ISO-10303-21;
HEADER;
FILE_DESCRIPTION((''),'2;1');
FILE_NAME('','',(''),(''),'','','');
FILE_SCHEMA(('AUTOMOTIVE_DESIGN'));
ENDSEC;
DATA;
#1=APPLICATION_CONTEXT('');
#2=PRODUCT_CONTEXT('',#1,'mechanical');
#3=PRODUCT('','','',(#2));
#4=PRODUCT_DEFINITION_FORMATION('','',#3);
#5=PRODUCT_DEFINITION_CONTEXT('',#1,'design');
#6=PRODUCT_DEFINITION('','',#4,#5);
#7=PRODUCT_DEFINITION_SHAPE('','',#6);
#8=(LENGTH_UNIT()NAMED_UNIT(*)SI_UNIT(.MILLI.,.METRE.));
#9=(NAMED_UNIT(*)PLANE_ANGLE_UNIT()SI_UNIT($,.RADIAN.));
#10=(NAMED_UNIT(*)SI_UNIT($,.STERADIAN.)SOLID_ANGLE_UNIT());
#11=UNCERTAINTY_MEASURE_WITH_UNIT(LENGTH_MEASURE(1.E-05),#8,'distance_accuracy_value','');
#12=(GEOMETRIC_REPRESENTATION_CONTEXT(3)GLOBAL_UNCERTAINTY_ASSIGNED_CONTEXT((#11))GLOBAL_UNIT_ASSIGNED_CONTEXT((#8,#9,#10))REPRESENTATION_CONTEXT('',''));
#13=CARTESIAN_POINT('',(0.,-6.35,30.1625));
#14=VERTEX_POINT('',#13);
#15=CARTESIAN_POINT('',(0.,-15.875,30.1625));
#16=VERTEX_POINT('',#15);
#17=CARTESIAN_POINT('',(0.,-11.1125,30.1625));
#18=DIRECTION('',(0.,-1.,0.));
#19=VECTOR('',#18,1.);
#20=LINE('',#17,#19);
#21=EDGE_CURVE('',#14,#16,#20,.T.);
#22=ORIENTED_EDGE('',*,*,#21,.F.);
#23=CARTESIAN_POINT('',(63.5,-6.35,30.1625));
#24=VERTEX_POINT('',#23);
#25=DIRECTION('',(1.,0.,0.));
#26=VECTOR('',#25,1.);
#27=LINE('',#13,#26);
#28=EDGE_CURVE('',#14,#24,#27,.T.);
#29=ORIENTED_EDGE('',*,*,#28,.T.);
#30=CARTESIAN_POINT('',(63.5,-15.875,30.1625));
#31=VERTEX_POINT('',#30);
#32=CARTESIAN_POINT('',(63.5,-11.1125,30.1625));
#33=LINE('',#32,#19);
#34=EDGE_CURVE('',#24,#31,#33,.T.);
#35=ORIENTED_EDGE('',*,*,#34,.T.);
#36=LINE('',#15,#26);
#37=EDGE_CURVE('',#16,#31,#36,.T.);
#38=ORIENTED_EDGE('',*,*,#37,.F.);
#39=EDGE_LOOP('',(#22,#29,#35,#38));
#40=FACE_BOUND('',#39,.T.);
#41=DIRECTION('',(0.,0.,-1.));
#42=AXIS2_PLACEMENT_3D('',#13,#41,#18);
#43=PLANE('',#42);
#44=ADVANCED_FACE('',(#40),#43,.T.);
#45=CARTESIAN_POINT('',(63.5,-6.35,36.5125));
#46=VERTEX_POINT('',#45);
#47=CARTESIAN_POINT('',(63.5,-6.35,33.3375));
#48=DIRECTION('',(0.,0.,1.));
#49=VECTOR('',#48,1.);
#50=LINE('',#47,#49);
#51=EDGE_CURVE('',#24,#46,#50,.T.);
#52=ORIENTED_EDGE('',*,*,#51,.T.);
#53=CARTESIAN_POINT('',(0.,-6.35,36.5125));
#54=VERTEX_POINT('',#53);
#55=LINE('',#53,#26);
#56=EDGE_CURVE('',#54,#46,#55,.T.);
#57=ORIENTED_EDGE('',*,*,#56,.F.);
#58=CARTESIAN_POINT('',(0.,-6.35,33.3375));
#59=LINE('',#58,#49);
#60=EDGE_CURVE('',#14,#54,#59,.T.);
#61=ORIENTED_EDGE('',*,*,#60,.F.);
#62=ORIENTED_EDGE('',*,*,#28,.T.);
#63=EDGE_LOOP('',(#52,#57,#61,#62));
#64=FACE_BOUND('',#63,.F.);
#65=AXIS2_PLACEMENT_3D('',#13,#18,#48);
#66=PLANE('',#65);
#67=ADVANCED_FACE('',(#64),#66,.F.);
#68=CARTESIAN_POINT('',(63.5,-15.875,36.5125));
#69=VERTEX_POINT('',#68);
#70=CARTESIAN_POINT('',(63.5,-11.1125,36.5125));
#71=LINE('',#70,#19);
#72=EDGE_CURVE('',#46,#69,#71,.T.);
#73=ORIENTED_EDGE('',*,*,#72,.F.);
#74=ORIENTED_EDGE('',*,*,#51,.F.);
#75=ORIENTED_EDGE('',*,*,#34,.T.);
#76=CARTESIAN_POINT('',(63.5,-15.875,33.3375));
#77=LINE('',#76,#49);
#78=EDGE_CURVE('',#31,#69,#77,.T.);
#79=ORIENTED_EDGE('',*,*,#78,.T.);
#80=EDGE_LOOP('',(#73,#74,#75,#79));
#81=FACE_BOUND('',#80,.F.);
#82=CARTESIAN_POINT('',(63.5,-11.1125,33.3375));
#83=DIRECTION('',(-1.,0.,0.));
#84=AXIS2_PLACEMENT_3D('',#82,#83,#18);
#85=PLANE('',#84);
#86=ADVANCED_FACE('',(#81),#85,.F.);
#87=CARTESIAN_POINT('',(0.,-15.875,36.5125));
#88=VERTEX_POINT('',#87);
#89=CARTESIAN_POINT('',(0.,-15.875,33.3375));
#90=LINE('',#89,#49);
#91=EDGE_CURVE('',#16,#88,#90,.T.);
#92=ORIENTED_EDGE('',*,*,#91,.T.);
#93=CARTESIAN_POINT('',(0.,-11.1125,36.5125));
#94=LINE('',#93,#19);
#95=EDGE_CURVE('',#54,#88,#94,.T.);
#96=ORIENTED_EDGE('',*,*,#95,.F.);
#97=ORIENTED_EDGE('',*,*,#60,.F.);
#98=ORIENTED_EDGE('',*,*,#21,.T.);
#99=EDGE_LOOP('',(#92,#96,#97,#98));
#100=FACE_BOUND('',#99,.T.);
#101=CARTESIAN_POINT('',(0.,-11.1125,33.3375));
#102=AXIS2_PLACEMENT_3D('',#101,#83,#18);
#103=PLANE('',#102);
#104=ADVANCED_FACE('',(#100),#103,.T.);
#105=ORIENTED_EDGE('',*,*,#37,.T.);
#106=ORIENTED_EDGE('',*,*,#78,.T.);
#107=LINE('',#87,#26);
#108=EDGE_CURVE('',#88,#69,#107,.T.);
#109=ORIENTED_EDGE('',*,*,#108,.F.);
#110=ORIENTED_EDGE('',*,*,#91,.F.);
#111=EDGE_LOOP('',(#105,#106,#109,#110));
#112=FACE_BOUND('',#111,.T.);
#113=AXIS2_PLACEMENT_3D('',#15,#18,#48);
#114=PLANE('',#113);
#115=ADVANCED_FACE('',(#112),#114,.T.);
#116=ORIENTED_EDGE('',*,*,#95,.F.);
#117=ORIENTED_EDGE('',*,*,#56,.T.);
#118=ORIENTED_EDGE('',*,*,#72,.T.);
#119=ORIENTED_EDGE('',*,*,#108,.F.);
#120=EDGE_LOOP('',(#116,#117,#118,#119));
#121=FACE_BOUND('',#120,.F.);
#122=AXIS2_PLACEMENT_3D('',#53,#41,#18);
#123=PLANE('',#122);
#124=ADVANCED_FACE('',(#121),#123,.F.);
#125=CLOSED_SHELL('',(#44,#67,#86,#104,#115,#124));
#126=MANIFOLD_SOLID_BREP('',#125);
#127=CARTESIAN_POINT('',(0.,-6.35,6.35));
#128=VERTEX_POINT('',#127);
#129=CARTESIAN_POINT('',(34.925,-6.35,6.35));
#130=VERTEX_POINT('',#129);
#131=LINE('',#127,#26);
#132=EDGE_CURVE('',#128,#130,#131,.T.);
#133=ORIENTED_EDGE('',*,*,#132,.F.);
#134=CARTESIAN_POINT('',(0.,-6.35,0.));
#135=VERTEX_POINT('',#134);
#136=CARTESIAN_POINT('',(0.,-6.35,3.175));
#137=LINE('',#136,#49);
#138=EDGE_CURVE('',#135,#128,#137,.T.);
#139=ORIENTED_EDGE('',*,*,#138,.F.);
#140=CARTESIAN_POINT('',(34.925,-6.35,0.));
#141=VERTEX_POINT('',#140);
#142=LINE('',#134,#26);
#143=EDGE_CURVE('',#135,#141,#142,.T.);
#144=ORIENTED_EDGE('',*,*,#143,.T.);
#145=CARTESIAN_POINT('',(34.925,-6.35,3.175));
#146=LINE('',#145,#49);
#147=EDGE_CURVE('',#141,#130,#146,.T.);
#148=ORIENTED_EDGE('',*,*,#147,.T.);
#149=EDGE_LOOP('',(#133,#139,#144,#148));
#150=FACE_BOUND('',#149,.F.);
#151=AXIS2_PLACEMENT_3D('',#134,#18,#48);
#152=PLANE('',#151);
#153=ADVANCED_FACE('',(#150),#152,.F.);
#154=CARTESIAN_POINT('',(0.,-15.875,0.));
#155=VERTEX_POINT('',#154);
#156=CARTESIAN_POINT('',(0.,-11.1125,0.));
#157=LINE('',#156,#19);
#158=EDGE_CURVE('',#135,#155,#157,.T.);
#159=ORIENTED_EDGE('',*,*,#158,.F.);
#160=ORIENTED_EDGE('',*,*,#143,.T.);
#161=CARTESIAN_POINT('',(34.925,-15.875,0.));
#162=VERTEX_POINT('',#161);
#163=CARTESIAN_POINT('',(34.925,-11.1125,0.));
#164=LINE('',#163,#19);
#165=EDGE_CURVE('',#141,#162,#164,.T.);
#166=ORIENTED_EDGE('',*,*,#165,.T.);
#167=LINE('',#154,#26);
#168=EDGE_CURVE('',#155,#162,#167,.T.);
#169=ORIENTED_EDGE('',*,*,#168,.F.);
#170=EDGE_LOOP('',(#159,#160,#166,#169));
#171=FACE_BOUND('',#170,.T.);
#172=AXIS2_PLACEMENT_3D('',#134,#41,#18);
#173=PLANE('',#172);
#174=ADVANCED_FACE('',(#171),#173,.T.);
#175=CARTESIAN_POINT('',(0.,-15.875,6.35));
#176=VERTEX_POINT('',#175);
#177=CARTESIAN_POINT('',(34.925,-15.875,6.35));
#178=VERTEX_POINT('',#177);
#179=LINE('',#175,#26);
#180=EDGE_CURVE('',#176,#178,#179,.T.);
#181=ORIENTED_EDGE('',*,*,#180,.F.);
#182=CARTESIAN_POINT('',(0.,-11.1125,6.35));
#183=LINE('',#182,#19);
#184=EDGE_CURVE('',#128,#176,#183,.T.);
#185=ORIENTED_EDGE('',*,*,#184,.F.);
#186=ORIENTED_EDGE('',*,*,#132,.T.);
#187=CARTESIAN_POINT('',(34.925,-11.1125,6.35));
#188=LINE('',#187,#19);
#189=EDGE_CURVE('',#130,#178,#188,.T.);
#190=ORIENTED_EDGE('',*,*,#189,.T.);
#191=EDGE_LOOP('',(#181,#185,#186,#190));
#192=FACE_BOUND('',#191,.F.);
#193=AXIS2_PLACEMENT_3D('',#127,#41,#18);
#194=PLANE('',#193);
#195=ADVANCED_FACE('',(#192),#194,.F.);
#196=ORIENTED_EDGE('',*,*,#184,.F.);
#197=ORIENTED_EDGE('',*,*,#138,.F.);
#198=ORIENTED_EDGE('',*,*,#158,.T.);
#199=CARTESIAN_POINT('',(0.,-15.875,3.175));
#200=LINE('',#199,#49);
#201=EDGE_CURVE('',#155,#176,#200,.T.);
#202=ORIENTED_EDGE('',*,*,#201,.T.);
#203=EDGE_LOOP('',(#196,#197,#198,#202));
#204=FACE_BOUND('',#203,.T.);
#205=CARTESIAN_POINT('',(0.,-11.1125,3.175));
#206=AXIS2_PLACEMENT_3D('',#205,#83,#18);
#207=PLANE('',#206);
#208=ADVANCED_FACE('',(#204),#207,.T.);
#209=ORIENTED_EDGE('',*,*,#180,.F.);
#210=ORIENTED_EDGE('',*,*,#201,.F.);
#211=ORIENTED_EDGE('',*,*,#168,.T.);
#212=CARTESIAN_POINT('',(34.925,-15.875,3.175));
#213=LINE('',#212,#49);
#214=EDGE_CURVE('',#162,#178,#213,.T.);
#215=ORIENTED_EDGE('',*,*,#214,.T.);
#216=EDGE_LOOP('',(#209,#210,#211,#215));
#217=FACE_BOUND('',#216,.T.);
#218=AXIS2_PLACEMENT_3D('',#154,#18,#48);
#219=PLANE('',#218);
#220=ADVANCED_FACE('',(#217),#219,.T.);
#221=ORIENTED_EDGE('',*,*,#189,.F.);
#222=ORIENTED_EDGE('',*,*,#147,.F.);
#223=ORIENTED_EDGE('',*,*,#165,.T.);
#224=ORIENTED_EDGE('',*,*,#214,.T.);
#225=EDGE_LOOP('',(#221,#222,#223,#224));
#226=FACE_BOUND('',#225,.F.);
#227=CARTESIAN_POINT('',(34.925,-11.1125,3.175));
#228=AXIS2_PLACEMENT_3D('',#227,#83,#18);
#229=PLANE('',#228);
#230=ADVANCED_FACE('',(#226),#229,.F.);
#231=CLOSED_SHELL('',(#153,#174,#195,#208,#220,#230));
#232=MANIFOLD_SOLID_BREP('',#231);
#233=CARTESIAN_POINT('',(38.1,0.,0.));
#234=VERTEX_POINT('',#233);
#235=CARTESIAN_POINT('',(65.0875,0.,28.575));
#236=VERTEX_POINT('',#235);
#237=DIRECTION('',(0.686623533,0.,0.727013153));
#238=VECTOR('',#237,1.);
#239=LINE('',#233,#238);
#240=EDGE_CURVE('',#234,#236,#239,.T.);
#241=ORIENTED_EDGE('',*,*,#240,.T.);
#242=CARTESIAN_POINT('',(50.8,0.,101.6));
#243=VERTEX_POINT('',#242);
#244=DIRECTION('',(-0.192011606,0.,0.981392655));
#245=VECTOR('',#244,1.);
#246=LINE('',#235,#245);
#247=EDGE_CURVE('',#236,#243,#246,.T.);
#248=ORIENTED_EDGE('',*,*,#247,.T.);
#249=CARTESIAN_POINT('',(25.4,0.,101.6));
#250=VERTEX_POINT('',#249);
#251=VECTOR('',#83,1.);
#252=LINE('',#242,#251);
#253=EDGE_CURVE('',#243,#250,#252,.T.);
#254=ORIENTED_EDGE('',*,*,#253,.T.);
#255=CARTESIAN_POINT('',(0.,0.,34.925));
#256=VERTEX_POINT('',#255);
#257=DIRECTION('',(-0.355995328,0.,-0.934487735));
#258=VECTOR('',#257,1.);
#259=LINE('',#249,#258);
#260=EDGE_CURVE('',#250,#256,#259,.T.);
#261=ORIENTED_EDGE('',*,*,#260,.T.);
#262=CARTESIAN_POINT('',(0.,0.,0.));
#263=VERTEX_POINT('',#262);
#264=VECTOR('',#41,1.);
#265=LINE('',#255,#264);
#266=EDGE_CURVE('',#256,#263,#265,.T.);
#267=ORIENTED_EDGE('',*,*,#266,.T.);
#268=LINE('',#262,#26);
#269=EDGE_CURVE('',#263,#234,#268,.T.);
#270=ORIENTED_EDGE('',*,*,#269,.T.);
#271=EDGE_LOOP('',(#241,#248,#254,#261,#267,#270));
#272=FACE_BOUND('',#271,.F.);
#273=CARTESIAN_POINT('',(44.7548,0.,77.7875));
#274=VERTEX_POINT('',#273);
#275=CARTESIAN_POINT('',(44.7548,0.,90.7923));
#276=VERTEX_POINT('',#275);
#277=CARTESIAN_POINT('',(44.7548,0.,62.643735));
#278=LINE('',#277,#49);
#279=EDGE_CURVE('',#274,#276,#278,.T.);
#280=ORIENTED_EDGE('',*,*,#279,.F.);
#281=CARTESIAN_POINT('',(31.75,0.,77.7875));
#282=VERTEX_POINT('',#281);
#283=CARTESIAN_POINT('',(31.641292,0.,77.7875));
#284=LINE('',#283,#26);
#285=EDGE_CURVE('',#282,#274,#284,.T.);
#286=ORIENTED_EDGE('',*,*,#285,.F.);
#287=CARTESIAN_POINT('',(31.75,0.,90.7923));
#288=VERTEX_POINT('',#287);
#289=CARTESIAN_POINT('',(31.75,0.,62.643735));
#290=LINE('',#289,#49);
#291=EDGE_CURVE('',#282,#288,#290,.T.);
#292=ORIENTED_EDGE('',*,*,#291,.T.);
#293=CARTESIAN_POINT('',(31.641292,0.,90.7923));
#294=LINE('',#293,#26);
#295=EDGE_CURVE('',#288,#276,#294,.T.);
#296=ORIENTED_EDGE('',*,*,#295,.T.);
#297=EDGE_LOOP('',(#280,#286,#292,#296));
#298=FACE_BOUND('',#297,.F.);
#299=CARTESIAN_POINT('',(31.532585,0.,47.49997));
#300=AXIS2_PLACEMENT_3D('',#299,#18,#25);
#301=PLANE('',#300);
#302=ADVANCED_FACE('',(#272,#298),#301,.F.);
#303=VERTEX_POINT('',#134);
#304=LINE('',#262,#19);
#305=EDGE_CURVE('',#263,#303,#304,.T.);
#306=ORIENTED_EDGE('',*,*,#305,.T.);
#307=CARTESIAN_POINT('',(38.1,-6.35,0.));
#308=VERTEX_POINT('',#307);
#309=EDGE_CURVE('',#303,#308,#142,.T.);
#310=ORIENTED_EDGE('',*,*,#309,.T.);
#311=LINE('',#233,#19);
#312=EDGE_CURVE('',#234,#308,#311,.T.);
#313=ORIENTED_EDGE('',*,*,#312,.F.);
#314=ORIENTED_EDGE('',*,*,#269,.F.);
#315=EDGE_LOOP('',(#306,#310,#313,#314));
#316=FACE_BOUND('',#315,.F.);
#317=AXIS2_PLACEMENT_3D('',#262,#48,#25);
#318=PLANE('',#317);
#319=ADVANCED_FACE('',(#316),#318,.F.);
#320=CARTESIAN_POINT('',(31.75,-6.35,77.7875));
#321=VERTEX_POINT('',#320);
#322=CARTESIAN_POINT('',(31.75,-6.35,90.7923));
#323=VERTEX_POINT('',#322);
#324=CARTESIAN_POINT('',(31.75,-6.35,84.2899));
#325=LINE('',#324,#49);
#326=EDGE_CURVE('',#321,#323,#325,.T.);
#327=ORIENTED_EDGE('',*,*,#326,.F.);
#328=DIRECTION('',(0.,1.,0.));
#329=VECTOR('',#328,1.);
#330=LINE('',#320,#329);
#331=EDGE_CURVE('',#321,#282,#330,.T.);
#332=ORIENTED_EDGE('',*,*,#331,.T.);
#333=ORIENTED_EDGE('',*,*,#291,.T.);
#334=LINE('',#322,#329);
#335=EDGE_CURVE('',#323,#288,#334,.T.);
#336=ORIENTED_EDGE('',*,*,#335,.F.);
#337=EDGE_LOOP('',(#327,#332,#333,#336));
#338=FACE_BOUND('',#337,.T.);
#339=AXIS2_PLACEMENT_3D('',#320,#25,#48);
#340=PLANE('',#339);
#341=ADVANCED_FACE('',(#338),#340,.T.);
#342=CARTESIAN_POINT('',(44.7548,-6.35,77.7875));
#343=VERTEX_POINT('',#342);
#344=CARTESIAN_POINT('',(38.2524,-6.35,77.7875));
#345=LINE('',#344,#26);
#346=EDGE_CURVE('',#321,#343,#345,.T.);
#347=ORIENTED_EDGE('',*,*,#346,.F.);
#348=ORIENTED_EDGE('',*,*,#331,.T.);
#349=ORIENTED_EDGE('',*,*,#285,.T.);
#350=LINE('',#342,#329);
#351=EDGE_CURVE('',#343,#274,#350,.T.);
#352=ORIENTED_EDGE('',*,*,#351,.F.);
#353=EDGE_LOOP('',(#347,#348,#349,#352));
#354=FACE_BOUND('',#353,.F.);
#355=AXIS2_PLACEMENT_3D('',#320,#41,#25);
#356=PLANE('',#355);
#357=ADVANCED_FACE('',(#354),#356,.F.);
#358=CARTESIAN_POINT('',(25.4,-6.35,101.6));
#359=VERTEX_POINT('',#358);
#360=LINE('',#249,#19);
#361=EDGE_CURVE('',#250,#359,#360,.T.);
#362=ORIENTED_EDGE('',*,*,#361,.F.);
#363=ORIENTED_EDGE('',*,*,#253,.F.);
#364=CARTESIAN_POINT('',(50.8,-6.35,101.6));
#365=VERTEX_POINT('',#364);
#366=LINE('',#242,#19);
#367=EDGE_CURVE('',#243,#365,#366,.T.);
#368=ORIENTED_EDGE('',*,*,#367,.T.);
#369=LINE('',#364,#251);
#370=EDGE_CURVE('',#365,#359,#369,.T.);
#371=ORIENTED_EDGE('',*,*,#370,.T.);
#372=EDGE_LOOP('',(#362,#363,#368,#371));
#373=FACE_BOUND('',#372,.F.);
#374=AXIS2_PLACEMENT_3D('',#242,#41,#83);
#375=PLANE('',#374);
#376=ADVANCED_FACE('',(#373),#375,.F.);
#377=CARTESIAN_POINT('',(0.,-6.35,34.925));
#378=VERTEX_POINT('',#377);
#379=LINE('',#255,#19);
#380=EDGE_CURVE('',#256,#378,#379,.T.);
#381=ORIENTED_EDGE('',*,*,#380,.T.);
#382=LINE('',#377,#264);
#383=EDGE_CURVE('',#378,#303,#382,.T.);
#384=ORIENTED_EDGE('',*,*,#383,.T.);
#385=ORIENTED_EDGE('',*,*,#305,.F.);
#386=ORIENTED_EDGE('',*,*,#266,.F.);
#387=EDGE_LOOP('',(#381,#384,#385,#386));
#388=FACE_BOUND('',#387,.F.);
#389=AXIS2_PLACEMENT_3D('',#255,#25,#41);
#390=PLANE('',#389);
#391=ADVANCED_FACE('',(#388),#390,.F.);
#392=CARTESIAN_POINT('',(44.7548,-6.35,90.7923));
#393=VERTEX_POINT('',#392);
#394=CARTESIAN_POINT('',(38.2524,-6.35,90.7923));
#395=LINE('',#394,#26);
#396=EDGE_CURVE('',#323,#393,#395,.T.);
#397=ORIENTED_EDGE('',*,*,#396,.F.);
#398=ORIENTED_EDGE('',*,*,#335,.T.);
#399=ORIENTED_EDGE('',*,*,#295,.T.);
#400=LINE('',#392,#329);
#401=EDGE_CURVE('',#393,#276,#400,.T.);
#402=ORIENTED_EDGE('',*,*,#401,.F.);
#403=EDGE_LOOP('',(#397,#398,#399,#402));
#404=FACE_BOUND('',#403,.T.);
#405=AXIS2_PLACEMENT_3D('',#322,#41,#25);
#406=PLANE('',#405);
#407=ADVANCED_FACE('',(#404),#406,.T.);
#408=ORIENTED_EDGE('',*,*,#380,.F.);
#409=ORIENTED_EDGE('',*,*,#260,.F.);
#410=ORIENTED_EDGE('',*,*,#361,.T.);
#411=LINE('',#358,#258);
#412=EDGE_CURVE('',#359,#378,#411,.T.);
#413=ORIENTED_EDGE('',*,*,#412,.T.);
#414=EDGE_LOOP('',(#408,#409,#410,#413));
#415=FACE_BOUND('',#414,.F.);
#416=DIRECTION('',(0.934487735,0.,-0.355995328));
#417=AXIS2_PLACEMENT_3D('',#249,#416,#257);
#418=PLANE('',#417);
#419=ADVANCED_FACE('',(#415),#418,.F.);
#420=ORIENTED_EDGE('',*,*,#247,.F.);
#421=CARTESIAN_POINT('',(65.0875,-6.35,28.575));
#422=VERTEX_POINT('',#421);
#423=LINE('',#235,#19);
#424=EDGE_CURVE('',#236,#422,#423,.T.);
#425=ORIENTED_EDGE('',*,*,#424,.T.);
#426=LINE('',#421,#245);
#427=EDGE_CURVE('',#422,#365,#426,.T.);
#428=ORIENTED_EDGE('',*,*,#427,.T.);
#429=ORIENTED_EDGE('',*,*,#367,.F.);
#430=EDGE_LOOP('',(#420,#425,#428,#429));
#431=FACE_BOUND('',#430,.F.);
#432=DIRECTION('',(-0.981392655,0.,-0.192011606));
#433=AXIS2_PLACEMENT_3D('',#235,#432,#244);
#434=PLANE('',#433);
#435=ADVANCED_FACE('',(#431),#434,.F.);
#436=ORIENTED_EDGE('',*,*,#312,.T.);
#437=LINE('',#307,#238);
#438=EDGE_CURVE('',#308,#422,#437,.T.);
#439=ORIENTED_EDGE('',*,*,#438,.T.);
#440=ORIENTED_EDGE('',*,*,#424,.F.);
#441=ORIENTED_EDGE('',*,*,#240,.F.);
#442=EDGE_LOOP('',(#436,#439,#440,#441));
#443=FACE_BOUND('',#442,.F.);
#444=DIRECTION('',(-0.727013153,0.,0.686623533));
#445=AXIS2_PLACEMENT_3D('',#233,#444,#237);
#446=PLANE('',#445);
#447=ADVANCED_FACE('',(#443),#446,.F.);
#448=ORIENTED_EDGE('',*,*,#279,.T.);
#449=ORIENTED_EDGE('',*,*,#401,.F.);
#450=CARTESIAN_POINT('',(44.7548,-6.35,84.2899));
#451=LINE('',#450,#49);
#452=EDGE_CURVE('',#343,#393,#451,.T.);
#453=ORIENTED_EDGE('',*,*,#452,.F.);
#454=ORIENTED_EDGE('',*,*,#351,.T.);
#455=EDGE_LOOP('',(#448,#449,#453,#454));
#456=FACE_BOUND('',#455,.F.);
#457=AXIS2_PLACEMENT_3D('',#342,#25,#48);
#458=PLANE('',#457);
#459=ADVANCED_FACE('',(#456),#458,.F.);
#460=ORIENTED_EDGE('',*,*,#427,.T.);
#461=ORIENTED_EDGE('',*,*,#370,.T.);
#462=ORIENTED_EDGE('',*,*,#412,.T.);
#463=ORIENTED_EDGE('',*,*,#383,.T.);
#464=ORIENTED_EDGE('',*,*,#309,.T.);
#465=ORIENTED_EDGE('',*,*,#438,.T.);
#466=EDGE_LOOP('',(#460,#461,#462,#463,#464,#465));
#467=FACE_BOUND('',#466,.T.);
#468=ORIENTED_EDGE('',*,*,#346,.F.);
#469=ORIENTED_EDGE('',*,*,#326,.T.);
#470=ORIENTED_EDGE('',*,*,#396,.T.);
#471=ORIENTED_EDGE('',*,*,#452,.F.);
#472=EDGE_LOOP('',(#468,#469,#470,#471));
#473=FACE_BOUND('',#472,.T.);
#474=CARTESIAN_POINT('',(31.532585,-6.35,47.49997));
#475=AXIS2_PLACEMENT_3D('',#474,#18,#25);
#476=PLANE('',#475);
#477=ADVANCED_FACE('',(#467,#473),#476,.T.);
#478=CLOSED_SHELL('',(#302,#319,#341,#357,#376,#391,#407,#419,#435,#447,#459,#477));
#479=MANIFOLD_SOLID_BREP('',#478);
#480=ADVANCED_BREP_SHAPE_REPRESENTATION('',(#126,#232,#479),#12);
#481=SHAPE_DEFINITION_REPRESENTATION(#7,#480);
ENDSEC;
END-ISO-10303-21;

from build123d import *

# Parameters (mm, degrees)
F1_DEPTH = 6.35
F2_W     = 13.0048
F2_H     = 13.0048
F3_DEPTH = 25.4
F4_W     = 9.525
F4_H     = 6.35
F5_DEPTH = 34.925
F6_W     = 9.525
F6_H     = 6.35
F7_DEPTH = 63.5


with BuildPart() as f1:
    # F0 (on Front) → F1 (new body)
    with BuildSketch(Plane.XZ):
        Polygon((0, 34.925), (0, 0), (38.1, 0), (65.0875, 28.575), (50.8, 101.6), (25.4, 101.6), align=None)
    extrude(amount=F1_DEPTH)

    # F2 (on face) → F3 (cut)
    with BuildSketch(Plane.XZ.offset(6.35)):
        with Locations((38.2524, 84.2899)):
            Rectangle(F2_W, F2_H)
    extrude(amount=-F3_DEPTH, mode=Mode.SUBTRACT)


with BuildPart() as f5:
    # F4 (on face) → F5 (new body)
    with BuildSketch(Plane(origin=(0, 0, 0), x_dir=(0, -1, 0), z_dir=(-1, 0, 0))):
        with Locations((11.1125, 3.175)):
            Rectangle(F4_W, F4_H)
    extrude(amount=-F5_DEPTH)


with BuildPart() as f7:
    # F6 (on face) → F7 (new body)
    with BuildSketch(Plane(origin=(0, 0, 0), x_dir=(0, -1, 0), z_dir=(-1, 0, 0))):
        with Locations((11.1125, 33.3375)):
            Rectangle(F6_W, F6_H)
    extrude(amount=-F7_DEPTH)


solid = Compound([f1.part, f5.part, f7.part])
